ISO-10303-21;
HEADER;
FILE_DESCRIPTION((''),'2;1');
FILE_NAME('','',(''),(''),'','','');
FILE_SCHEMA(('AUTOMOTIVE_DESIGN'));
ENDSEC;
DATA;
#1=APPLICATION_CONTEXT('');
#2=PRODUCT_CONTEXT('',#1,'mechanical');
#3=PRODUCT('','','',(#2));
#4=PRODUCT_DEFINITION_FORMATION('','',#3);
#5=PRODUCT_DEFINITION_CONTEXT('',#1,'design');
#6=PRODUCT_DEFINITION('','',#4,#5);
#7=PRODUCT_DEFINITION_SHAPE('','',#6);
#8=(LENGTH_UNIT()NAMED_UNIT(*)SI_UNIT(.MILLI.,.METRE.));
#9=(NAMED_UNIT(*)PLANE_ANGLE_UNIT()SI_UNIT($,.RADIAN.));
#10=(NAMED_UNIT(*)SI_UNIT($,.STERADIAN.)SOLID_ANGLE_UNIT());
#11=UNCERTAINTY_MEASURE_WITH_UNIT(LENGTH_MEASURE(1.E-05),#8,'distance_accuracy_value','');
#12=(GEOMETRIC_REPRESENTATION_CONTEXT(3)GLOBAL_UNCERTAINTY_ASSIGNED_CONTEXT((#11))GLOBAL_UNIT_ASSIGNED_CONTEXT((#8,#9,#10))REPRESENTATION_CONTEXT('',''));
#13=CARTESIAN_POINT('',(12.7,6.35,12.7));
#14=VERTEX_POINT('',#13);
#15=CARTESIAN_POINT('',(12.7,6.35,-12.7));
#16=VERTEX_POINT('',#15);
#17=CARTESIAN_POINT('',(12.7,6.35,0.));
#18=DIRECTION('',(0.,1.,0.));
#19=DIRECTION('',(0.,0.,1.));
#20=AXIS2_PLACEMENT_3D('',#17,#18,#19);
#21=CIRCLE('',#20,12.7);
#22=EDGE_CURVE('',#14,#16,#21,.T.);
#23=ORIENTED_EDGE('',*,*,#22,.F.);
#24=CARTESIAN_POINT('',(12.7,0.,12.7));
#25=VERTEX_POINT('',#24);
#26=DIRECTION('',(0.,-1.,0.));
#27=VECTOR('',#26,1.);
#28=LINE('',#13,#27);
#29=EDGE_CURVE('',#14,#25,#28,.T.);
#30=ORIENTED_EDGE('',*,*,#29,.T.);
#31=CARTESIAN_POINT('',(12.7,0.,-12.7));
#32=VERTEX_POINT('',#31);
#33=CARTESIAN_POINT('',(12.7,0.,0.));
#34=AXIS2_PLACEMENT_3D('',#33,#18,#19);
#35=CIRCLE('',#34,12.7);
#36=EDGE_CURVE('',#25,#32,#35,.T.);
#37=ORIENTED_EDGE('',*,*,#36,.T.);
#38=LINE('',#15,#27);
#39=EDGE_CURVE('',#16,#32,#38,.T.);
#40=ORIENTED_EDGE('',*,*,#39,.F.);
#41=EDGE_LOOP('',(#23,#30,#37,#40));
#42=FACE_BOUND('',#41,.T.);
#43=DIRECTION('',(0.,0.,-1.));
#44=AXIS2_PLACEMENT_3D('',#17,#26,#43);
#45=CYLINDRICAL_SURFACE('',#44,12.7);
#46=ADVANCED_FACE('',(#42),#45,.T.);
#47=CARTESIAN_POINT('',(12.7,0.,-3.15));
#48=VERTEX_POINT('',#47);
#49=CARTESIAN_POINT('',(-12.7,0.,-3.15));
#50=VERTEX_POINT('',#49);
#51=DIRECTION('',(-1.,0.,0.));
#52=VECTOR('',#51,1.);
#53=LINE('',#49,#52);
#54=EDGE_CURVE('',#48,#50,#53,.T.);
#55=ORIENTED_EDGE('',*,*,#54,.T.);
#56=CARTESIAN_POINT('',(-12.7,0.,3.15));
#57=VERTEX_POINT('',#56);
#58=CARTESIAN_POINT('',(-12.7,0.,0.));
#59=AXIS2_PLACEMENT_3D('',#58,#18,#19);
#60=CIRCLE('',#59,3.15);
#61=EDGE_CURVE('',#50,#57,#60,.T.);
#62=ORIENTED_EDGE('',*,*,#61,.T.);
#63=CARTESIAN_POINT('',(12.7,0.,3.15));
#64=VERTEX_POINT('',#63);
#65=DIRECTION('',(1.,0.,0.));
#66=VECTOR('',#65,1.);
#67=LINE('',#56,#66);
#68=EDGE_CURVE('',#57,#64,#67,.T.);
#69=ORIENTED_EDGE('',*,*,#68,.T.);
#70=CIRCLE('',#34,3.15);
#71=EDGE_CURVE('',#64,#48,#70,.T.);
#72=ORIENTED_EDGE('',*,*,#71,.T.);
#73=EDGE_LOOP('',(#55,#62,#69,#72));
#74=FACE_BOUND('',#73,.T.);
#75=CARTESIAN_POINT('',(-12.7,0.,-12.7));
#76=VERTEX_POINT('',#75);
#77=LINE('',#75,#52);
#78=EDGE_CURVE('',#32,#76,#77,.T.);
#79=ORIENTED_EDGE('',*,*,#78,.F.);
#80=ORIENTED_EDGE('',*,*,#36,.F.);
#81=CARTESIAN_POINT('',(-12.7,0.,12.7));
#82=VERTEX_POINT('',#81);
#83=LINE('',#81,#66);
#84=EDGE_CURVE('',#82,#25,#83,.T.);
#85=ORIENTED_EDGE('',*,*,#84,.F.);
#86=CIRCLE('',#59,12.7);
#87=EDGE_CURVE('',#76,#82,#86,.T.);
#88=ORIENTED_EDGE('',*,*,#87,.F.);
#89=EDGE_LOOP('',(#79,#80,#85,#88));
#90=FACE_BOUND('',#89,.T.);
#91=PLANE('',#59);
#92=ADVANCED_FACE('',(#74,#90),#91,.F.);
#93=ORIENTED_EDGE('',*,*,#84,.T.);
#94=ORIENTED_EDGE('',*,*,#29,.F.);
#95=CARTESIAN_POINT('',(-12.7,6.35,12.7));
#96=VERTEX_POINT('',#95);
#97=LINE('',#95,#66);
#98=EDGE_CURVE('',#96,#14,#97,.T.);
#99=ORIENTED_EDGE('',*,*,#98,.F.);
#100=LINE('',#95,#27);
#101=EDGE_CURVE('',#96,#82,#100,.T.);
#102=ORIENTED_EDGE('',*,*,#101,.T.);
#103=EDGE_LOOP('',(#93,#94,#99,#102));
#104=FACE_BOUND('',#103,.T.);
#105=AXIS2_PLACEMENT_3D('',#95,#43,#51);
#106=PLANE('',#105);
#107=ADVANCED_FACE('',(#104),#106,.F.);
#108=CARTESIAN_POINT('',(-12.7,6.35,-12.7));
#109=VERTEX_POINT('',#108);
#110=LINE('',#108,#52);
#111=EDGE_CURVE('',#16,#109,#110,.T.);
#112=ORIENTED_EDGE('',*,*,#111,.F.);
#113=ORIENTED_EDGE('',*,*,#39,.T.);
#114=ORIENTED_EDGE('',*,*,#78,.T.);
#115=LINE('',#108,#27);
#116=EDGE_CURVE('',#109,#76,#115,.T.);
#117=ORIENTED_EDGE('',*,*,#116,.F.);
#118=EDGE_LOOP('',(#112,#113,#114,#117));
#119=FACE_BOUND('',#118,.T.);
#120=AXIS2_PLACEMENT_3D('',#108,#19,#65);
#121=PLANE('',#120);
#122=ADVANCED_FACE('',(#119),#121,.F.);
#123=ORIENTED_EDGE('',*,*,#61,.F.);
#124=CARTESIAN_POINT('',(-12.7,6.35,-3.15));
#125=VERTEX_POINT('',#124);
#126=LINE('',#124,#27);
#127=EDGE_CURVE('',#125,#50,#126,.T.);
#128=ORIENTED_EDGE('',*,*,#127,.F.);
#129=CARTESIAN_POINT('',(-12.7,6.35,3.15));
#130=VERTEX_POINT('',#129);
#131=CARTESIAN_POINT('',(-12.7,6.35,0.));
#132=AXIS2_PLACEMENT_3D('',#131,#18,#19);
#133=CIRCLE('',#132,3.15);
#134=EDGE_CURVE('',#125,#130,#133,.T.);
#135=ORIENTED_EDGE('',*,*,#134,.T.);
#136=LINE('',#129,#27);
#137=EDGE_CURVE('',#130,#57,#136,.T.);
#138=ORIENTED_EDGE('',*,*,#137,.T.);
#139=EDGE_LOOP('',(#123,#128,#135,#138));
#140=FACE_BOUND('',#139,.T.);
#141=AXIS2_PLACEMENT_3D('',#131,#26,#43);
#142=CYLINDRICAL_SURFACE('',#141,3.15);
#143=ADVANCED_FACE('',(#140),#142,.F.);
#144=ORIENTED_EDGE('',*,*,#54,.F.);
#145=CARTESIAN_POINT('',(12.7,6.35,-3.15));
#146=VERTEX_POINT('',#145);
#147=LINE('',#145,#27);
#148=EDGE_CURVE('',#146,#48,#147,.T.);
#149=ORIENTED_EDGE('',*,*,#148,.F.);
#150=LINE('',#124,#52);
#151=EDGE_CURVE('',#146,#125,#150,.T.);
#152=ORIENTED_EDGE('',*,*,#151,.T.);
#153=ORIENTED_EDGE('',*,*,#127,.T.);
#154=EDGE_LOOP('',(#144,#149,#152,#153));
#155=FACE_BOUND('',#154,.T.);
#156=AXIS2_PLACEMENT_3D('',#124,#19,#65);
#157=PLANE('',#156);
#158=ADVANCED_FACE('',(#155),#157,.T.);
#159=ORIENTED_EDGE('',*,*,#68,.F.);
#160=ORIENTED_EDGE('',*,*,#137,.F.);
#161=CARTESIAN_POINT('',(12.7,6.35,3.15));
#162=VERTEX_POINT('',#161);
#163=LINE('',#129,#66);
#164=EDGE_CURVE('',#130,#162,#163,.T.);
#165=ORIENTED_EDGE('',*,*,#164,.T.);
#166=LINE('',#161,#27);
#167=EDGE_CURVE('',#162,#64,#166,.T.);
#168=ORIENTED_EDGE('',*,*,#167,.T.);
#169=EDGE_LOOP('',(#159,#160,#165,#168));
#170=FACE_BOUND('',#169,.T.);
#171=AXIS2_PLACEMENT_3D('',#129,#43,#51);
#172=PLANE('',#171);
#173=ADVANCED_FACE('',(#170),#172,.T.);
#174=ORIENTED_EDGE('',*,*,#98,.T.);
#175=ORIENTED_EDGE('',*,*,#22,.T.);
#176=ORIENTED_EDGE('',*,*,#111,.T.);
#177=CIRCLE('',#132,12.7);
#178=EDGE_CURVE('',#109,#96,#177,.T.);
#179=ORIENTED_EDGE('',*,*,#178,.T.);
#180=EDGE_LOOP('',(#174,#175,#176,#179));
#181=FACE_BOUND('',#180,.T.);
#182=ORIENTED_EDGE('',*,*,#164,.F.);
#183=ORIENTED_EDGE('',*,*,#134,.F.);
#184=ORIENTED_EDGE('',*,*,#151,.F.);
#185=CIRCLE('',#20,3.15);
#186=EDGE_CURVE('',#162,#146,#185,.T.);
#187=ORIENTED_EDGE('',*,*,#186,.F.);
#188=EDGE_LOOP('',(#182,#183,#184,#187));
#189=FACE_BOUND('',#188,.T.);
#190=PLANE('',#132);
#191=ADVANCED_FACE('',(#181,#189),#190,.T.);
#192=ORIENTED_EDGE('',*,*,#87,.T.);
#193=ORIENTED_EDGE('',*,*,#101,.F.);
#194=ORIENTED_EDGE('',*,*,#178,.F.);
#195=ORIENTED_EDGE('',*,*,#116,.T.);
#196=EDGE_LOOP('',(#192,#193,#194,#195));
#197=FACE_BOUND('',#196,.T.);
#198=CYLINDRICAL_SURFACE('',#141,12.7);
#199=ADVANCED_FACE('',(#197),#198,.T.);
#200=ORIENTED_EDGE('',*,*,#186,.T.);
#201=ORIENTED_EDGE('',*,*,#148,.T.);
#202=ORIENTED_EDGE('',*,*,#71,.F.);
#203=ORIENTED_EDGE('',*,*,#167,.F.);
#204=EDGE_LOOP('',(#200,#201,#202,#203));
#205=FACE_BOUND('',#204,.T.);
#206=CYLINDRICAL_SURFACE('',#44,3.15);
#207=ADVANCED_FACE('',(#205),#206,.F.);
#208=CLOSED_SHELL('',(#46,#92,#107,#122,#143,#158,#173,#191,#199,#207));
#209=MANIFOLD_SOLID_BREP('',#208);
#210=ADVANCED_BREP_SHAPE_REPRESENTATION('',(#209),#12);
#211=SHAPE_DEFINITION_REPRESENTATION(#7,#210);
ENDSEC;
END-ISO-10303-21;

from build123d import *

# Parameters (mm, degrees)
BOSS_EXTRUDE1_DEPTH = 6.35


with BuildPart() as part:
    # Sketch1 → Boss-Extrude1 (new body)
    with BuildSketch(Plane(origin=(0, 0, 0), x_dir=(1, 0, 0), z_dir=(0, 1, 0))):
        with BuildLine():
            Line((-12.7, 12.7), (12.7, 12.7))
            ThreePointArc((12.7, 12.7), (25.4, 0), (12.7, -12.7))
            Line((12.7, -12.7), (-12.7, -12.7))
            ThreePointArc((-12.7, -12.7), (-25.4, 0), (-12.7, 12.7))
        make_face()
        with BuildLine():
            Line((-12.7, 3.15), (12.7, 3.15))
            ThreePointArc((12.7, 3.15), (15.85, 0), (12.7, -3.15))
            Line((12.7, -3.15), (-12.7, -3.15))
            ThreePointArc((-12.7, -3.15), (-15.85, 0), (-12.7, 3.15))
        make_face(mode=Mode.SUBTRACT)
    extrude(amount=BOSS_EXTRUDE1_DEPTH)


solid = part.part
